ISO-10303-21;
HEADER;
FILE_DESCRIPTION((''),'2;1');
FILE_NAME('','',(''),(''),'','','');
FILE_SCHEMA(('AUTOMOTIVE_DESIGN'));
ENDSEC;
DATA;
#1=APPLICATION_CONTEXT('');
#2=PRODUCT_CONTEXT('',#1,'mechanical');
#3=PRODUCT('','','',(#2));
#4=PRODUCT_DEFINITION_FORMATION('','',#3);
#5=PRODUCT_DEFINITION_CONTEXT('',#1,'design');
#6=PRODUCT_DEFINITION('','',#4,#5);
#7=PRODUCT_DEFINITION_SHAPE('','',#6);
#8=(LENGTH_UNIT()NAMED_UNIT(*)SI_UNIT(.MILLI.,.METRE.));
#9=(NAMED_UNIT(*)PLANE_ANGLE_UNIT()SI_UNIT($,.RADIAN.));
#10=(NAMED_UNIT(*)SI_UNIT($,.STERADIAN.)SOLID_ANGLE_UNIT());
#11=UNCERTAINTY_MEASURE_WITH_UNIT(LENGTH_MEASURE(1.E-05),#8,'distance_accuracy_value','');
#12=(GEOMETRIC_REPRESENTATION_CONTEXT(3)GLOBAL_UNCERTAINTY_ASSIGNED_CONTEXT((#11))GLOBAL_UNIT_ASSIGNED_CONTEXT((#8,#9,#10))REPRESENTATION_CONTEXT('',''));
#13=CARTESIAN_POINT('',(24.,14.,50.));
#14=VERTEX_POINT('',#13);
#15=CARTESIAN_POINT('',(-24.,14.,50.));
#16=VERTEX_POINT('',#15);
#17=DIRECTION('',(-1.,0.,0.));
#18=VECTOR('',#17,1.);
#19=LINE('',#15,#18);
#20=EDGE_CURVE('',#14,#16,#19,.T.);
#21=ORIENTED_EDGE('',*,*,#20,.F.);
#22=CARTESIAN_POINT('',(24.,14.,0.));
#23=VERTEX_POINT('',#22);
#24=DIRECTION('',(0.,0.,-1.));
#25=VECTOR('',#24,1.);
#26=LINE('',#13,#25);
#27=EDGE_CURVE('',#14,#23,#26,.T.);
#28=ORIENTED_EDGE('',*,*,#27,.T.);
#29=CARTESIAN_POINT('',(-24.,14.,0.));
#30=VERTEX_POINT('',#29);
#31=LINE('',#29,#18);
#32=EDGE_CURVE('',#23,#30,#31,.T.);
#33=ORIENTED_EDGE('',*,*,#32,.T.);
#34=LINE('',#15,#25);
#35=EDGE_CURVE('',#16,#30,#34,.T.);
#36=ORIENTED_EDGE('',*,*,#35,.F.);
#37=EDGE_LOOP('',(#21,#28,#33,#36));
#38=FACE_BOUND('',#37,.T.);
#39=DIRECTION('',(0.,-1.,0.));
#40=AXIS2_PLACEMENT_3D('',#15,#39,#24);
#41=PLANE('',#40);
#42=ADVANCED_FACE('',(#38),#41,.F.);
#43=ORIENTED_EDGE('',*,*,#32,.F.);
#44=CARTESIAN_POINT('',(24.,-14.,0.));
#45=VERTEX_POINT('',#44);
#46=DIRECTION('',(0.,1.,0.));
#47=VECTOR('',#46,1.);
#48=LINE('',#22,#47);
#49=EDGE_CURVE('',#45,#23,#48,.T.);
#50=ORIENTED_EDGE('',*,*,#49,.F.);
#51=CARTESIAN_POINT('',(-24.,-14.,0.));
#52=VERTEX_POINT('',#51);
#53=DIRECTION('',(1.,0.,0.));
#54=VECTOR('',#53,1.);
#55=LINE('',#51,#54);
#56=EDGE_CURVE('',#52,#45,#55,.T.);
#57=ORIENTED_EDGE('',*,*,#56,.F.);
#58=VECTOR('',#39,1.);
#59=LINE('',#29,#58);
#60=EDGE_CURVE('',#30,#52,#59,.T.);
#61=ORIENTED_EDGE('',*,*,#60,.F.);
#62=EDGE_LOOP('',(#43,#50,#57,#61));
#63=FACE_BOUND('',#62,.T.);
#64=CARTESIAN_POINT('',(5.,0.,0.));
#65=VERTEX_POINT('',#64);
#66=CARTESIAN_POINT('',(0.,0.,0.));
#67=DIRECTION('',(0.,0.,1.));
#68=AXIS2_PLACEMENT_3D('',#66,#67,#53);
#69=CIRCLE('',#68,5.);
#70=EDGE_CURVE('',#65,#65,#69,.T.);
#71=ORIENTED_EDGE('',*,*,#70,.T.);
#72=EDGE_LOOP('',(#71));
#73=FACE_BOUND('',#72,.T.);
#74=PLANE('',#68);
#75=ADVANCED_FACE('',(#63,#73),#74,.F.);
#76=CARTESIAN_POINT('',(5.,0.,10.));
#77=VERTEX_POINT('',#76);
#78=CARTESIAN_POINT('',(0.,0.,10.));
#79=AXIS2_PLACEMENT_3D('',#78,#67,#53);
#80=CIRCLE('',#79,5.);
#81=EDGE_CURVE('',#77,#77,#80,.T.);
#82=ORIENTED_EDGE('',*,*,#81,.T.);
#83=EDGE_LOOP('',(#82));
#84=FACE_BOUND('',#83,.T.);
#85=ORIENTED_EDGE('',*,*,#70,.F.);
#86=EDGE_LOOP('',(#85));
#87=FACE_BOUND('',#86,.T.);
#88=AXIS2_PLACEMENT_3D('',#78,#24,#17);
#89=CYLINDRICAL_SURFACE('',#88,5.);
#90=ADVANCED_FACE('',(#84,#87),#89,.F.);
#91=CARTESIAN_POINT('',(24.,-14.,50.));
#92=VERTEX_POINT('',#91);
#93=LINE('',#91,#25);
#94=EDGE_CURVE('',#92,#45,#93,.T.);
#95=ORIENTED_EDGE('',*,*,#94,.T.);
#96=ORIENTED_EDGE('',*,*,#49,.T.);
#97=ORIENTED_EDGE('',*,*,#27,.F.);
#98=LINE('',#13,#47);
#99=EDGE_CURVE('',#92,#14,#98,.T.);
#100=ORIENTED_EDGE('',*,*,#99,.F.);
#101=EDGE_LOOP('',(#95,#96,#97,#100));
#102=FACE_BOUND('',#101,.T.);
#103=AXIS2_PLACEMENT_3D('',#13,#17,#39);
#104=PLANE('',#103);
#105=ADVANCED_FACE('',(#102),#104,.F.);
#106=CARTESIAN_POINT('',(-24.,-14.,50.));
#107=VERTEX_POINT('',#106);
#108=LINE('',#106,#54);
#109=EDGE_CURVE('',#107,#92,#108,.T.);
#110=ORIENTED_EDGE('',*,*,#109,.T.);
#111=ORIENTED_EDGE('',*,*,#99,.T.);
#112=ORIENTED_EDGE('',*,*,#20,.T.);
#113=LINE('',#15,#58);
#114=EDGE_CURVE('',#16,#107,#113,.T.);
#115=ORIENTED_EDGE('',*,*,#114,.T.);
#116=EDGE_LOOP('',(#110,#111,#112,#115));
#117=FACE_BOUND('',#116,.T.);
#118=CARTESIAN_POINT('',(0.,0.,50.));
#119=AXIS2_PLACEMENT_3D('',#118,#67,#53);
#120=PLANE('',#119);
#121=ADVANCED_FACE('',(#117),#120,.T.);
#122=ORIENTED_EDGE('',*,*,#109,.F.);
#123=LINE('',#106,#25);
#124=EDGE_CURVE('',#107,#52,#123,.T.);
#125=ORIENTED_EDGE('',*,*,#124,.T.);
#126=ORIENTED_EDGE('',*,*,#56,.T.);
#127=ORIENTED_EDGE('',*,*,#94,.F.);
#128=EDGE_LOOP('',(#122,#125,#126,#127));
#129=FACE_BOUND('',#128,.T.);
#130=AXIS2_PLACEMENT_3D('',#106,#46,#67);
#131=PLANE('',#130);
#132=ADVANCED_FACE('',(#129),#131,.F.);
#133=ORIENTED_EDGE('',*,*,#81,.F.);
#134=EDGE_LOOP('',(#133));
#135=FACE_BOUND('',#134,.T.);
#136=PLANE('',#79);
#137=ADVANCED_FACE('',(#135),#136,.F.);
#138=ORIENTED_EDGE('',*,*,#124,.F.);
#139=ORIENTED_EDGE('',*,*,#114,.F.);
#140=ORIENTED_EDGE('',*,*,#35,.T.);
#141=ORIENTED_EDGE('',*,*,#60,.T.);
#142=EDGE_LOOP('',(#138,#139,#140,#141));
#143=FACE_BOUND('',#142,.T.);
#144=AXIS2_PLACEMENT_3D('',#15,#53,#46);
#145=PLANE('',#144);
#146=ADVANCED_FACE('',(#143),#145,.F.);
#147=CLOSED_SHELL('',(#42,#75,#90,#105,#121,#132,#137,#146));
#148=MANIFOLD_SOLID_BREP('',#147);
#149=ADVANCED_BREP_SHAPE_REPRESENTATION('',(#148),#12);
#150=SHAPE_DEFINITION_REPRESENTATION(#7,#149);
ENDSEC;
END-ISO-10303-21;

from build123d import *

# Parameters (mm, degrees)
CROQUIS1_W              = 48
CROQUIS1_H              = 28
SALIENTE_EXTRUIR1_DEPTH = 50
CROQUIS2_R              = 5
CORTAR_EXTRUIR1_DEPTH   = 10


with BuildPart() as part:
    # Croquis1 → Saliente-Extruir1 (new body)
    with BuildSketch(Plane.XY):
        Rectangle(CROQUIS1_W, CROQUIS1_H)
    extrude(amount=SALIENTE_EXTRUIR1_DEPTH)

    # Croquis2 → Cortar-Extruir1 (cut)
    with BuildSketch(Plane.XY):
        Circle(CROQUIS2_R)
    extrude(amount=CORTAR_EXTRUIR1_DEPTH, mode=Mode.SUBTRACT)


solid = part.part
